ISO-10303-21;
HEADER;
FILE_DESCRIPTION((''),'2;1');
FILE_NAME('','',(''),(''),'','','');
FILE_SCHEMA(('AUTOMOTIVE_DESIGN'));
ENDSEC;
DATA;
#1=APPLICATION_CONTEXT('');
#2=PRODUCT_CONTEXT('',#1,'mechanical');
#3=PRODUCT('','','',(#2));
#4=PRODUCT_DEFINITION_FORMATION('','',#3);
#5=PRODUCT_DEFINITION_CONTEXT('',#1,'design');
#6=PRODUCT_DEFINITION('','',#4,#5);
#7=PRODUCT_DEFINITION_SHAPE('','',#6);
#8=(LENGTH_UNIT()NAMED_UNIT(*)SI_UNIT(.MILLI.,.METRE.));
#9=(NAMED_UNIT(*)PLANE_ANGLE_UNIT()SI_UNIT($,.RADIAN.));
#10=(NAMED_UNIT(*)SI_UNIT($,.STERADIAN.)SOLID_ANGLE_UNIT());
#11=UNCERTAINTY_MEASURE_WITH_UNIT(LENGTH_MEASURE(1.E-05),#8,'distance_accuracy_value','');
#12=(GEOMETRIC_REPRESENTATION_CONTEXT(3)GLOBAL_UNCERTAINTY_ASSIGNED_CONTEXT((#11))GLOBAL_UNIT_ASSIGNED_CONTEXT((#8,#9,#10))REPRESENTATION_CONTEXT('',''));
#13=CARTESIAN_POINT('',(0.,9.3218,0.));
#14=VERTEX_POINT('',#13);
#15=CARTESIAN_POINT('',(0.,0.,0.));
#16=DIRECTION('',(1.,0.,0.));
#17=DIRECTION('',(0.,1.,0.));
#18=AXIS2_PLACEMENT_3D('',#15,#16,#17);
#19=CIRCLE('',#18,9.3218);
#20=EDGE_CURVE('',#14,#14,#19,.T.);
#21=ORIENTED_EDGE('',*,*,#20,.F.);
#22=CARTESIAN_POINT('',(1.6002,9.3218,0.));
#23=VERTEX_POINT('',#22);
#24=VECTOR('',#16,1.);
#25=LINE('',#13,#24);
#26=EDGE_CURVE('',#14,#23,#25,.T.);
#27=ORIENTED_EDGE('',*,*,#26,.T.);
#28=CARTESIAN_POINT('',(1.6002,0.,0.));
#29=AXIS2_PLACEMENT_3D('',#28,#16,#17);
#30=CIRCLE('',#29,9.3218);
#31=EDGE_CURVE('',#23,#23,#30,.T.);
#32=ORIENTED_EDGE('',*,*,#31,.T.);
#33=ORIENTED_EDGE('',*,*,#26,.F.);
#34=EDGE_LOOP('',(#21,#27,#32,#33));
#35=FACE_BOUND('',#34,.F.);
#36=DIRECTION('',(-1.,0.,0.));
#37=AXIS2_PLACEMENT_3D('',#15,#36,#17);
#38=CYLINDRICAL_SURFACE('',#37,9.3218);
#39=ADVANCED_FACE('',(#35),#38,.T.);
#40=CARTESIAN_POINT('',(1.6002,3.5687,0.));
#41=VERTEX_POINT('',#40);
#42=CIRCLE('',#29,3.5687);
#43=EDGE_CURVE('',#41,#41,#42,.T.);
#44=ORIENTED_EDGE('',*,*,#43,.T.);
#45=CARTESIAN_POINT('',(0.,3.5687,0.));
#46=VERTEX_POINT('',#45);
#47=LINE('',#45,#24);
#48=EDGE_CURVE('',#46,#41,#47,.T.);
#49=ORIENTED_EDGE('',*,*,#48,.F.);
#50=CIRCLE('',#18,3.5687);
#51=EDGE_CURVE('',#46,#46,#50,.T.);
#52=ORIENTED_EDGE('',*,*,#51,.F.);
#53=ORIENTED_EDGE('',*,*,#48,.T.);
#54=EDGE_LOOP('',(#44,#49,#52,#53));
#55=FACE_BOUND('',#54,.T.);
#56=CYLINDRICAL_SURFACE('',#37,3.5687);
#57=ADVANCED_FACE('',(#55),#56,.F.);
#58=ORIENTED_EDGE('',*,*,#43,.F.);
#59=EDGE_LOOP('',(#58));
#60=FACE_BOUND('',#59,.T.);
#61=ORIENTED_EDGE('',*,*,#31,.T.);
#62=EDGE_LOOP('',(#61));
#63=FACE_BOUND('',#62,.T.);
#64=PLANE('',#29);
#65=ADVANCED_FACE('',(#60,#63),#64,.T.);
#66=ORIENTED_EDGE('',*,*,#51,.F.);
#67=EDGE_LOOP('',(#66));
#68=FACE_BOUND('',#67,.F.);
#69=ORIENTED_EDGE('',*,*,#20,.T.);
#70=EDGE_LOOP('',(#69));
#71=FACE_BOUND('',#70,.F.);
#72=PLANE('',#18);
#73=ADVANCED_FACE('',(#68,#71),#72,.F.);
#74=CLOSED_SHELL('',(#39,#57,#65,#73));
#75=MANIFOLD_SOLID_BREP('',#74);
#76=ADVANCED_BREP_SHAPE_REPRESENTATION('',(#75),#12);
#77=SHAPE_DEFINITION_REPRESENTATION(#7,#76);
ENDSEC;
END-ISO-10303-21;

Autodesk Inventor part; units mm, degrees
ref_plane "YZ Plane" through (0, 0, 0) normal (1, 0, 0) x (0, 1, 0)
ref_plane "XZ Plane" through (0, 0, 0) normal (0, 1, 0) x (-1, 0, 0)
sketch "Sketch" plane through (0, 0, 0) normal (1, 0, 0) x (0, 1, 0)
  circle A0 centre (0, 0) radius 9.3218
  circle A1 centre (0, 0) radius 3.5687
  dimension "d0" = 7.1374
  dimension "d1" = 18.6436
extrude "Body" add sketch "Sketch" along normal blind 1.6002
ref_plane "Work Plane1" through (0, 0, 0) normal (0, 0, 1) x (1, 0, 0)
equation "\"d0\" = SD1"
equation "\"d1\" = SD2"
equation "\"d2\" = SD"
equation "\"SD1\" = 7.1374"
equation "\"SD2\" = 18.6436"
equation "\"SD\" = 1.6002"
equation "\"NND\" = 6.35"
properties part number "am-1069" material "Steel, Mild"
